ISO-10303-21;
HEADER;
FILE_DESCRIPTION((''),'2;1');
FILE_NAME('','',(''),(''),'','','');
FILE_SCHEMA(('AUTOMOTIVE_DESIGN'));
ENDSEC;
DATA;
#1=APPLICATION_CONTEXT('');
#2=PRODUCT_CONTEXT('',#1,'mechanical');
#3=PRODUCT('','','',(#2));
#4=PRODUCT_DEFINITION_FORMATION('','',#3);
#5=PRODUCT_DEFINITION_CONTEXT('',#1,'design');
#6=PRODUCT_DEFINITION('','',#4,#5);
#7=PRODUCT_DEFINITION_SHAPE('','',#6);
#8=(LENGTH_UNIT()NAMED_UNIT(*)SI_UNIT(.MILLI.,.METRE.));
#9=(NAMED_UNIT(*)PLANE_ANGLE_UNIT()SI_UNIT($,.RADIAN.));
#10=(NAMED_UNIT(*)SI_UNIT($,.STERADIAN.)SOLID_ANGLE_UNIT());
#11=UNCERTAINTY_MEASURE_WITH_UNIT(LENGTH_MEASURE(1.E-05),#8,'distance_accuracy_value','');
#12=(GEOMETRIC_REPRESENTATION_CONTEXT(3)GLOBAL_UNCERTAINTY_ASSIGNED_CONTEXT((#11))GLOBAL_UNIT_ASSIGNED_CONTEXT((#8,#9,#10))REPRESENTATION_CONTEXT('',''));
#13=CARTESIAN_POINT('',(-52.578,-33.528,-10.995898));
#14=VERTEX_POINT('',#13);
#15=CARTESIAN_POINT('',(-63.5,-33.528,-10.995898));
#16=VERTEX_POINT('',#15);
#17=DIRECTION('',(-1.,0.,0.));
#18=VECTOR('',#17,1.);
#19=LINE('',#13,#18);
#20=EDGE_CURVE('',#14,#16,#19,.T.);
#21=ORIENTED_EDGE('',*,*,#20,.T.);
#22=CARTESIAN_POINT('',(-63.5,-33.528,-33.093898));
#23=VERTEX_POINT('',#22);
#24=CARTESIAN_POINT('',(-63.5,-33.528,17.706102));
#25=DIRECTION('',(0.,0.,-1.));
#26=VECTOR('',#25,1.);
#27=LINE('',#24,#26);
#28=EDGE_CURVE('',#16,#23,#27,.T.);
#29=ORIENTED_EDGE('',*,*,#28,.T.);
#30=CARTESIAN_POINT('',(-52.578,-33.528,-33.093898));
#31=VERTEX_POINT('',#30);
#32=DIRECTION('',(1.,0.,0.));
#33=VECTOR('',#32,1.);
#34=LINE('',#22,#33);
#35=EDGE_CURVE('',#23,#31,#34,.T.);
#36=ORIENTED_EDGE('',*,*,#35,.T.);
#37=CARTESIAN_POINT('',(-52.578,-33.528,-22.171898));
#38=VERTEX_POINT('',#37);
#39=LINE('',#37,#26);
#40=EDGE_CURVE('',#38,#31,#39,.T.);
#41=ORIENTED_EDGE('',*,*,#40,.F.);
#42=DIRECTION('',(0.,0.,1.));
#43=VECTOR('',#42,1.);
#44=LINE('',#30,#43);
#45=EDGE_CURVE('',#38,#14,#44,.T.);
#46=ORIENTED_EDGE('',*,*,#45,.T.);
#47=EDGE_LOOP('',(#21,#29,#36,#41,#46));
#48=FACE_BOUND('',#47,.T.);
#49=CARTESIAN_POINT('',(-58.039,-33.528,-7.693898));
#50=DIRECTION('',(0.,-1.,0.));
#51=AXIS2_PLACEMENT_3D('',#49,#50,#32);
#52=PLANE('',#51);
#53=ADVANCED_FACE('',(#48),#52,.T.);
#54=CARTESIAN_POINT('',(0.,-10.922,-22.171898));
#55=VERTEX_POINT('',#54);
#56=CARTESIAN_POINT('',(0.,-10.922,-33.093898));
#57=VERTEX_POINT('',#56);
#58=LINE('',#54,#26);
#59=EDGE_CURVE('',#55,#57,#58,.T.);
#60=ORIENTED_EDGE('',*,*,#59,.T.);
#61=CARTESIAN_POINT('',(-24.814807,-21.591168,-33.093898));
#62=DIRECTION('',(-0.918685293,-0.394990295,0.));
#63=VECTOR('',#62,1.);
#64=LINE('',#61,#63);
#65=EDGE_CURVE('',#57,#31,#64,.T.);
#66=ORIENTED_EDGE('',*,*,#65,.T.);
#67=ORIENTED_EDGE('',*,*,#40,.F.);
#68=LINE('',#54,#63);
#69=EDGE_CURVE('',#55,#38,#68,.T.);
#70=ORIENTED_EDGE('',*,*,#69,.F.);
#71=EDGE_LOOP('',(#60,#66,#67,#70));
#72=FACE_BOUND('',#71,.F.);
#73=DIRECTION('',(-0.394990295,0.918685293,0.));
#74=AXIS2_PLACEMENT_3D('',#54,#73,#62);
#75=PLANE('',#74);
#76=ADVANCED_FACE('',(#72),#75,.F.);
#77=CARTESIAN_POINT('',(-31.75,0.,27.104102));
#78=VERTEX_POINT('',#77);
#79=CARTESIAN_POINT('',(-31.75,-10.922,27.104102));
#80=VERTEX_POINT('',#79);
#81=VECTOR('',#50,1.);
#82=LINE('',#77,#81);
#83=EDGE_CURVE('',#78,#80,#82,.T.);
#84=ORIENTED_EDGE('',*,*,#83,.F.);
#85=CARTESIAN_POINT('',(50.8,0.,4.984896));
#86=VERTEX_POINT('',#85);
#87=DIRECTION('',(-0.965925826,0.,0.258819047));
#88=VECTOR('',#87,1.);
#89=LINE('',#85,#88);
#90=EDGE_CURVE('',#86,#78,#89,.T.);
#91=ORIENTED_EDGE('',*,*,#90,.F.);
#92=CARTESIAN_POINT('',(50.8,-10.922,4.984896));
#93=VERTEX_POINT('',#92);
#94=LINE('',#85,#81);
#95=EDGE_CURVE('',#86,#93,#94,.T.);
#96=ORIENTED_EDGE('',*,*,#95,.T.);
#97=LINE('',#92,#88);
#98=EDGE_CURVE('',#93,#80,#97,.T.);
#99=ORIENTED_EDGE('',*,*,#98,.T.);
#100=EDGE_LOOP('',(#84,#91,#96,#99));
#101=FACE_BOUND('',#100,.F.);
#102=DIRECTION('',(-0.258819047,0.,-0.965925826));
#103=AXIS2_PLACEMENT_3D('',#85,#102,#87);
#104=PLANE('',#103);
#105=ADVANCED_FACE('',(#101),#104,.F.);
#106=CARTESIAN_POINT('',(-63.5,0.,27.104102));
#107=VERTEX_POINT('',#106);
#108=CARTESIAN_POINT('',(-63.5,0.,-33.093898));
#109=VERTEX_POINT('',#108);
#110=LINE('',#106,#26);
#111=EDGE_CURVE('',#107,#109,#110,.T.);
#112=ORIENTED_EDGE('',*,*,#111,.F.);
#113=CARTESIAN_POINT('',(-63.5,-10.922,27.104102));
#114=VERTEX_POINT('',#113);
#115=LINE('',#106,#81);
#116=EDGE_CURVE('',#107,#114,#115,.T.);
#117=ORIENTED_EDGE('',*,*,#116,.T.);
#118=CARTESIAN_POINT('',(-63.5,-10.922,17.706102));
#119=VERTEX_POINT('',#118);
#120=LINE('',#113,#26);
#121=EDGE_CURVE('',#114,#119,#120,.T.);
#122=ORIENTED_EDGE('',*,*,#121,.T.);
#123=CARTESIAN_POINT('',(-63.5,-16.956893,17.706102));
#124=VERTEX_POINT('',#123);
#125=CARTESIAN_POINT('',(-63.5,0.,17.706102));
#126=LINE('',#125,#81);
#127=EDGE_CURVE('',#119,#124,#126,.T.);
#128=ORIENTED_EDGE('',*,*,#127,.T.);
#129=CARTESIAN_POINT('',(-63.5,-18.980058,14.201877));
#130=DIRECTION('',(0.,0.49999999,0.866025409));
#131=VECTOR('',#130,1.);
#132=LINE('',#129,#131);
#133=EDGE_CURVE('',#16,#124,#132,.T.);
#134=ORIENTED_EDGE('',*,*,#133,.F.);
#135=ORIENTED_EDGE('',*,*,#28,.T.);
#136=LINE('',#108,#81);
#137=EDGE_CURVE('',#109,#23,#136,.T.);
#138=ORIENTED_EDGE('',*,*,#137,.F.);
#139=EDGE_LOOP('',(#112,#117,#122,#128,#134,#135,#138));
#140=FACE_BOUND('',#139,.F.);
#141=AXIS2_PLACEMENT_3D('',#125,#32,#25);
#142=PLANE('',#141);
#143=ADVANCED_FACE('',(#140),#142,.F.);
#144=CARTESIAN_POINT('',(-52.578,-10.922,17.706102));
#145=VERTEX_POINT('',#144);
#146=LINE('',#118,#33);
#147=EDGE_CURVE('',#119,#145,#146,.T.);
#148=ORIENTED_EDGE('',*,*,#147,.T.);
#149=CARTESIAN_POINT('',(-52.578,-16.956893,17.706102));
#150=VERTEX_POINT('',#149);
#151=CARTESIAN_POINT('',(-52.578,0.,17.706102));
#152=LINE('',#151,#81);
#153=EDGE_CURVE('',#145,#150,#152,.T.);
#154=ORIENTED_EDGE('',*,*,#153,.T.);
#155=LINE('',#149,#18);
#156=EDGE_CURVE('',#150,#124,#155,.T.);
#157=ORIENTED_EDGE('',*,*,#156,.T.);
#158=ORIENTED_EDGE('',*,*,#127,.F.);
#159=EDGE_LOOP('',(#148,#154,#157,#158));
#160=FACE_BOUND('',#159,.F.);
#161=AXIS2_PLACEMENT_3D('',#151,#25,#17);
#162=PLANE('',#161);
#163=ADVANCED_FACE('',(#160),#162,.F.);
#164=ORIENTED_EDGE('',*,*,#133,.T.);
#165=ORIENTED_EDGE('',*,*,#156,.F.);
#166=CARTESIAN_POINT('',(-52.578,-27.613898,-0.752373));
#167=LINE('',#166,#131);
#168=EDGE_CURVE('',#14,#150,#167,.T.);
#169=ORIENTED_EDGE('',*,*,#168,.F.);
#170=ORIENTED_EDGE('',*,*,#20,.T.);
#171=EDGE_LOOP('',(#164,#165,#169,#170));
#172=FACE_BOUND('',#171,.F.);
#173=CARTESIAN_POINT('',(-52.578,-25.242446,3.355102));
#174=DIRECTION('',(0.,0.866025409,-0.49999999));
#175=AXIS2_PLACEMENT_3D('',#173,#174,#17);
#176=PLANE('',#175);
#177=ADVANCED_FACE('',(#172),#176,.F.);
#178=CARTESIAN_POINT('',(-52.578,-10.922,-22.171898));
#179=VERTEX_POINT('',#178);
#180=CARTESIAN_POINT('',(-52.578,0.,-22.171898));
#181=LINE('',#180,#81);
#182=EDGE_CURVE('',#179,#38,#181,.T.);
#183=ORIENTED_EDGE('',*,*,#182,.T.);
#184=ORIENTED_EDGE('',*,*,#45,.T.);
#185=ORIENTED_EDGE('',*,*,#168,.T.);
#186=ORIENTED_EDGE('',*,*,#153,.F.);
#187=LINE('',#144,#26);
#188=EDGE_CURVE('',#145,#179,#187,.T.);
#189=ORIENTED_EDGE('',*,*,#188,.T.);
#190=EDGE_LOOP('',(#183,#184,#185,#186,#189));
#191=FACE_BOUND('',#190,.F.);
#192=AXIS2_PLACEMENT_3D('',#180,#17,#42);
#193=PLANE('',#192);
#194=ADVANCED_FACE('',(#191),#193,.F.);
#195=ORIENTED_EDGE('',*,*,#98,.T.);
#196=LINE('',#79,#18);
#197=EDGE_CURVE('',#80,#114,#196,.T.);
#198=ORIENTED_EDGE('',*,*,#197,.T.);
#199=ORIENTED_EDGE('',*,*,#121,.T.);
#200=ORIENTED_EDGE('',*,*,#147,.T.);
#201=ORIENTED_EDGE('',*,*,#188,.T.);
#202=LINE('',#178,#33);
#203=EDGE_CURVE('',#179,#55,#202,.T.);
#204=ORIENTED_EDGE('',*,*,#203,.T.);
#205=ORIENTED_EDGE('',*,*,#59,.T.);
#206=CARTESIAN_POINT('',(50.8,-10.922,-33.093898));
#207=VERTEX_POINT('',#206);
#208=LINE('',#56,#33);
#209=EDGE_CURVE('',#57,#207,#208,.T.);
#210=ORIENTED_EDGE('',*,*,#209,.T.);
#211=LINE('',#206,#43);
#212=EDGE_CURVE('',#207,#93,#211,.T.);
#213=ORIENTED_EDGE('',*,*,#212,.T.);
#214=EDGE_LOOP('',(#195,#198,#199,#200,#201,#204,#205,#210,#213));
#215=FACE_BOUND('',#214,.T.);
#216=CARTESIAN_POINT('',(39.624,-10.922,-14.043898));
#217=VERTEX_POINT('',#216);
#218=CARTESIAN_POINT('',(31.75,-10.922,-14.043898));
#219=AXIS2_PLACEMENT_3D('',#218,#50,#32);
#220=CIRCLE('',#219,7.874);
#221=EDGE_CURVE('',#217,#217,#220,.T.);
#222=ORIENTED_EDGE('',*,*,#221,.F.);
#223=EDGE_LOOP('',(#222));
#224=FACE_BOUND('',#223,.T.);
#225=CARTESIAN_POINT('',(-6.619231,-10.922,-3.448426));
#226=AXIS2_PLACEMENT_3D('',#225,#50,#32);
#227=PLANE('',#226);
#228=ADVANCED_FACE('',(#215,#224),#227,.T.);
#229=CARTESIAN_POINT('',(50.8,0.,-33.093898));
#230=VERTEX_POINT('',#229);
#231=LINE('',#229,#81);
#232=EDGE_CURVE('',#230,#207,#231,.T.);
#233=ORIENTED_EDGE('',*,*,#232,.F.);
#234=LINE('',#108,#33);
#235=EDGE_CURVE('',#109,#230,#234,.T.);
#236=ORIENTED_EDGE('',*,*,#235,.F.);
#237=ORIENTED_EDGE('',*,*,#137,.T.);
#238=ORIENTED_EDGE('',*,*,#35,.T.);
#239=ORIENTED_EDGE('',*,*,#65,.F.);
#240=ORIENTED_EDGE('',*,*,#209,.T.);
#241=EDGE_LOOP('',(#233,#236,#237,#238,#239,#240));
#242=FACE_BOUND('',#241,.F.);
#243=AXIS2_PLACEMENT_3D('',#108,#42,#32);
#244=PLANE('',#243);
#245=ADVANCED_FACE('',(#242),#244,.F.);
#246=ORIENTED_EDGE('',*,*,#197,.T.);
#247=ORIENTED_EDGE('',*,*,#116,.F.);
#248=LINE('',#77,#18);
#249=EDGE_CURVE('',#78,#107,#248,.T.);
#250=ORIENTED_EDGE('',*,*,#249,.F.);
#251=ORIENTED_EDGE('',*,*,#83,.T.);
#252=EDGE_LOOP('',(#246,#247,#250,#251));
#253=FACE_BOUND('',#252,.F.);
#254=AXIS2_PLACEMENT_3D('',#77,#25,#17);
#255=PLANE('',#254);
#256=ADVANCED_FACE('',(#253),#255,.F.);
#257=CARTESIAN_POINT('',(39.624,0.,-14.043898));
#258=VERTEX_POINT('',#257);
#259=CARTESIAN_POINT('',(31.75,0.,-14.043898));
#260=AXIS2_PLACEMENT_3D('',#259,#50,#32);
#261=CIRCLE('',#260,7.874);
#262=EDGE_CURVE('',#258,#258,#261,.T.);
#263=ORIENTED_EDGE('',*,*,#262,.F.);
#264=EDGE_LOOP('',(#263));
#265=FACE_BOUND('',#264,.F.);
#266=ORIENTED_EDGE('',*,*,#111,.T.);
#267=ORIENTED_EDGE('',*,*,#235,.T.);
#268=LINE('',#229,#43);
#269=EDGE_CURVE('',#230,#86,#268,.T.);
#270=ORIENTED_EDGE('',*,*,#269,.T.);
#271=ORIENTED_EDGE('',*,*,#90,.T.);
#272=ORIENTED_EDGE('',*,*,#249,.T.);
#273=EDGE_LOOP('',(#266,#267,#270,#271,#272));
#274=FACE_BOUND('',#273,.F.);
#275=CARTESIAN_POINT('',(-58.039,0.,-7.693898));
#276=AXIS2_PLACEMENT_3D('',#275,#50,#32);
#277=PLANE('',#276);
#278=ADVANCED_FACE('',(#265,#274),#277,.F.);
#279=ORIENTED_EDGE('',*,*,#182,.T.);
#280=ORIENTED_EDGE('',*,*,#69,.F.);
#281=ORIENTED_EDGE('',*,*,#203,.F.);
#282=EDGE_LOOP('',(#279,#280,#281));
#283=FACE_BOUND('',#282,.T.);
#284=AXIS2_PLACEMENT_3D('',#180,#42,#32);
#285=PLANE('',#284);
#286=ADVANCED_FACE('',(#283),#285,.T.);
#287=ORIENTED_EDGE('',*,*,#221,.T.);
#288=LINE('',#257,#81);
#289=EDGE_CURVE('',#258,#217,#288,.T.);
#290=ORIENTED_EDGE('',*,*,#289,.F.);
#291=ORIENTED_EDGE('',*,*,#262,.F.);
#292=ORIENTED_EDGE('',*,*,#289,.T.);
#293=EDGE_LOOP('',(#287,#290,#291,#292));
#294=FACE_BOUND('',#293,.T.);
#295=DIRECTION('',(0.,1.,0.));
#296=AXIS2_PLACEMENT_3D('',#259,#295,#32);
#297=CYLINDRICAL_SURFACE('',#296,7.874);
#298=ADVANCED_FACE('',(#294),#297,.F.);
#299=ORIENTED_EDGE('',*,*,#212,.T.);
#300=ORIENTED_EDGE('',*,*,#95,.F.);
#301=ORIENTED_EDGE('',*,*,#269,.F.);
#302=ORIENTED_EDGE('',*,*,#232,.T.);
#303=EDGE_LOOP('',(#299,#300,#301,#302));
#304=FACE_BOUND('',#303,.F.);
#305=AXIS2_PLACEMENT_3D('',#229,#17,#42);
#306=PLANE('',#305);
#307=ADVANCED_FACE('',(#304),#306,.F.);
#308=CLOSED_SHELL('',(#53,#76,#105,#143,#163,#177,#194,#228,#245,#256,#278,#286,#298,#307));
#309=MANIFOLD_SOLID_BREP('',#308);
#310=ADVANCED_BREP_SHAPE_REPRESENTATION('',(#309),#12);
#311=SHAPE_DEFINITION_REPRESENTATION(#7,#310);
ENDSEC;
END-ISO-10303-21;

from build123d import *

# Parameters (mm, degrees)
F0_R     = 7.874
F1_DEPTH = 10.922
F0_W     = 52.578
F0_H     = 10.922
F2_DEPTH = 33.528
F3_SIZE2 = 16.571107
F3_SIZE  = 28.702
F5_DEPTH = 25.4


with BuildPart() as f1:
    # F0 (on Front) → F1 (new body)
    with BuildSketch(Plane.XZ):
        Polygon((-63.5, 27.104102), (-63.5, 17.706102), (-52.578, 17.706102), (-52.578, -22.171898), (0, -22.171898), (0, -33.093898), (50.8, -33.093898), (50.8, 4.984896), (-31.75, 27.104102), align=None)
        with Locations((31.75, -14.043898)):
            Circle(F0_R, mode=Mode.SUBTRACT)
    extrude(amount=F1_DEPTH)

    # F0 (on Front) → F2 (join)
    with BuildSketch(Plane.XZ):
        Polygon((-63.5, 17.706102), (-63.5, -33.093898), (-52.578, -33.093898), (-52.578, -22.171898), (-52.578, 17.706102), align=None)
        with Locations((-26.289, -27.632898)):
            Rectangle(F0_W, F0_H)
    extrude(amount=F2_DEPTH)

    # F3
    f3_edges = [f1.edges().sort_by_distance(p)[0] for p in [
        (-58.039, -33.528, 17.706102),
    ]]
    chamfer(f3_edges, length=F3_SIZE, length2=F3_SIZE2)

    # F4 (on face) → F5 (cut)
    with BuildSketch(Plane.XY.offset(-22.171898)):
        Polygon((0, -10.922), (-52.578, -33.528), (0, -33.528), align=None)
    extrude(amount=-F5_DEPTH, mode=Mode.SUBTRACT)


solid = f1.part
